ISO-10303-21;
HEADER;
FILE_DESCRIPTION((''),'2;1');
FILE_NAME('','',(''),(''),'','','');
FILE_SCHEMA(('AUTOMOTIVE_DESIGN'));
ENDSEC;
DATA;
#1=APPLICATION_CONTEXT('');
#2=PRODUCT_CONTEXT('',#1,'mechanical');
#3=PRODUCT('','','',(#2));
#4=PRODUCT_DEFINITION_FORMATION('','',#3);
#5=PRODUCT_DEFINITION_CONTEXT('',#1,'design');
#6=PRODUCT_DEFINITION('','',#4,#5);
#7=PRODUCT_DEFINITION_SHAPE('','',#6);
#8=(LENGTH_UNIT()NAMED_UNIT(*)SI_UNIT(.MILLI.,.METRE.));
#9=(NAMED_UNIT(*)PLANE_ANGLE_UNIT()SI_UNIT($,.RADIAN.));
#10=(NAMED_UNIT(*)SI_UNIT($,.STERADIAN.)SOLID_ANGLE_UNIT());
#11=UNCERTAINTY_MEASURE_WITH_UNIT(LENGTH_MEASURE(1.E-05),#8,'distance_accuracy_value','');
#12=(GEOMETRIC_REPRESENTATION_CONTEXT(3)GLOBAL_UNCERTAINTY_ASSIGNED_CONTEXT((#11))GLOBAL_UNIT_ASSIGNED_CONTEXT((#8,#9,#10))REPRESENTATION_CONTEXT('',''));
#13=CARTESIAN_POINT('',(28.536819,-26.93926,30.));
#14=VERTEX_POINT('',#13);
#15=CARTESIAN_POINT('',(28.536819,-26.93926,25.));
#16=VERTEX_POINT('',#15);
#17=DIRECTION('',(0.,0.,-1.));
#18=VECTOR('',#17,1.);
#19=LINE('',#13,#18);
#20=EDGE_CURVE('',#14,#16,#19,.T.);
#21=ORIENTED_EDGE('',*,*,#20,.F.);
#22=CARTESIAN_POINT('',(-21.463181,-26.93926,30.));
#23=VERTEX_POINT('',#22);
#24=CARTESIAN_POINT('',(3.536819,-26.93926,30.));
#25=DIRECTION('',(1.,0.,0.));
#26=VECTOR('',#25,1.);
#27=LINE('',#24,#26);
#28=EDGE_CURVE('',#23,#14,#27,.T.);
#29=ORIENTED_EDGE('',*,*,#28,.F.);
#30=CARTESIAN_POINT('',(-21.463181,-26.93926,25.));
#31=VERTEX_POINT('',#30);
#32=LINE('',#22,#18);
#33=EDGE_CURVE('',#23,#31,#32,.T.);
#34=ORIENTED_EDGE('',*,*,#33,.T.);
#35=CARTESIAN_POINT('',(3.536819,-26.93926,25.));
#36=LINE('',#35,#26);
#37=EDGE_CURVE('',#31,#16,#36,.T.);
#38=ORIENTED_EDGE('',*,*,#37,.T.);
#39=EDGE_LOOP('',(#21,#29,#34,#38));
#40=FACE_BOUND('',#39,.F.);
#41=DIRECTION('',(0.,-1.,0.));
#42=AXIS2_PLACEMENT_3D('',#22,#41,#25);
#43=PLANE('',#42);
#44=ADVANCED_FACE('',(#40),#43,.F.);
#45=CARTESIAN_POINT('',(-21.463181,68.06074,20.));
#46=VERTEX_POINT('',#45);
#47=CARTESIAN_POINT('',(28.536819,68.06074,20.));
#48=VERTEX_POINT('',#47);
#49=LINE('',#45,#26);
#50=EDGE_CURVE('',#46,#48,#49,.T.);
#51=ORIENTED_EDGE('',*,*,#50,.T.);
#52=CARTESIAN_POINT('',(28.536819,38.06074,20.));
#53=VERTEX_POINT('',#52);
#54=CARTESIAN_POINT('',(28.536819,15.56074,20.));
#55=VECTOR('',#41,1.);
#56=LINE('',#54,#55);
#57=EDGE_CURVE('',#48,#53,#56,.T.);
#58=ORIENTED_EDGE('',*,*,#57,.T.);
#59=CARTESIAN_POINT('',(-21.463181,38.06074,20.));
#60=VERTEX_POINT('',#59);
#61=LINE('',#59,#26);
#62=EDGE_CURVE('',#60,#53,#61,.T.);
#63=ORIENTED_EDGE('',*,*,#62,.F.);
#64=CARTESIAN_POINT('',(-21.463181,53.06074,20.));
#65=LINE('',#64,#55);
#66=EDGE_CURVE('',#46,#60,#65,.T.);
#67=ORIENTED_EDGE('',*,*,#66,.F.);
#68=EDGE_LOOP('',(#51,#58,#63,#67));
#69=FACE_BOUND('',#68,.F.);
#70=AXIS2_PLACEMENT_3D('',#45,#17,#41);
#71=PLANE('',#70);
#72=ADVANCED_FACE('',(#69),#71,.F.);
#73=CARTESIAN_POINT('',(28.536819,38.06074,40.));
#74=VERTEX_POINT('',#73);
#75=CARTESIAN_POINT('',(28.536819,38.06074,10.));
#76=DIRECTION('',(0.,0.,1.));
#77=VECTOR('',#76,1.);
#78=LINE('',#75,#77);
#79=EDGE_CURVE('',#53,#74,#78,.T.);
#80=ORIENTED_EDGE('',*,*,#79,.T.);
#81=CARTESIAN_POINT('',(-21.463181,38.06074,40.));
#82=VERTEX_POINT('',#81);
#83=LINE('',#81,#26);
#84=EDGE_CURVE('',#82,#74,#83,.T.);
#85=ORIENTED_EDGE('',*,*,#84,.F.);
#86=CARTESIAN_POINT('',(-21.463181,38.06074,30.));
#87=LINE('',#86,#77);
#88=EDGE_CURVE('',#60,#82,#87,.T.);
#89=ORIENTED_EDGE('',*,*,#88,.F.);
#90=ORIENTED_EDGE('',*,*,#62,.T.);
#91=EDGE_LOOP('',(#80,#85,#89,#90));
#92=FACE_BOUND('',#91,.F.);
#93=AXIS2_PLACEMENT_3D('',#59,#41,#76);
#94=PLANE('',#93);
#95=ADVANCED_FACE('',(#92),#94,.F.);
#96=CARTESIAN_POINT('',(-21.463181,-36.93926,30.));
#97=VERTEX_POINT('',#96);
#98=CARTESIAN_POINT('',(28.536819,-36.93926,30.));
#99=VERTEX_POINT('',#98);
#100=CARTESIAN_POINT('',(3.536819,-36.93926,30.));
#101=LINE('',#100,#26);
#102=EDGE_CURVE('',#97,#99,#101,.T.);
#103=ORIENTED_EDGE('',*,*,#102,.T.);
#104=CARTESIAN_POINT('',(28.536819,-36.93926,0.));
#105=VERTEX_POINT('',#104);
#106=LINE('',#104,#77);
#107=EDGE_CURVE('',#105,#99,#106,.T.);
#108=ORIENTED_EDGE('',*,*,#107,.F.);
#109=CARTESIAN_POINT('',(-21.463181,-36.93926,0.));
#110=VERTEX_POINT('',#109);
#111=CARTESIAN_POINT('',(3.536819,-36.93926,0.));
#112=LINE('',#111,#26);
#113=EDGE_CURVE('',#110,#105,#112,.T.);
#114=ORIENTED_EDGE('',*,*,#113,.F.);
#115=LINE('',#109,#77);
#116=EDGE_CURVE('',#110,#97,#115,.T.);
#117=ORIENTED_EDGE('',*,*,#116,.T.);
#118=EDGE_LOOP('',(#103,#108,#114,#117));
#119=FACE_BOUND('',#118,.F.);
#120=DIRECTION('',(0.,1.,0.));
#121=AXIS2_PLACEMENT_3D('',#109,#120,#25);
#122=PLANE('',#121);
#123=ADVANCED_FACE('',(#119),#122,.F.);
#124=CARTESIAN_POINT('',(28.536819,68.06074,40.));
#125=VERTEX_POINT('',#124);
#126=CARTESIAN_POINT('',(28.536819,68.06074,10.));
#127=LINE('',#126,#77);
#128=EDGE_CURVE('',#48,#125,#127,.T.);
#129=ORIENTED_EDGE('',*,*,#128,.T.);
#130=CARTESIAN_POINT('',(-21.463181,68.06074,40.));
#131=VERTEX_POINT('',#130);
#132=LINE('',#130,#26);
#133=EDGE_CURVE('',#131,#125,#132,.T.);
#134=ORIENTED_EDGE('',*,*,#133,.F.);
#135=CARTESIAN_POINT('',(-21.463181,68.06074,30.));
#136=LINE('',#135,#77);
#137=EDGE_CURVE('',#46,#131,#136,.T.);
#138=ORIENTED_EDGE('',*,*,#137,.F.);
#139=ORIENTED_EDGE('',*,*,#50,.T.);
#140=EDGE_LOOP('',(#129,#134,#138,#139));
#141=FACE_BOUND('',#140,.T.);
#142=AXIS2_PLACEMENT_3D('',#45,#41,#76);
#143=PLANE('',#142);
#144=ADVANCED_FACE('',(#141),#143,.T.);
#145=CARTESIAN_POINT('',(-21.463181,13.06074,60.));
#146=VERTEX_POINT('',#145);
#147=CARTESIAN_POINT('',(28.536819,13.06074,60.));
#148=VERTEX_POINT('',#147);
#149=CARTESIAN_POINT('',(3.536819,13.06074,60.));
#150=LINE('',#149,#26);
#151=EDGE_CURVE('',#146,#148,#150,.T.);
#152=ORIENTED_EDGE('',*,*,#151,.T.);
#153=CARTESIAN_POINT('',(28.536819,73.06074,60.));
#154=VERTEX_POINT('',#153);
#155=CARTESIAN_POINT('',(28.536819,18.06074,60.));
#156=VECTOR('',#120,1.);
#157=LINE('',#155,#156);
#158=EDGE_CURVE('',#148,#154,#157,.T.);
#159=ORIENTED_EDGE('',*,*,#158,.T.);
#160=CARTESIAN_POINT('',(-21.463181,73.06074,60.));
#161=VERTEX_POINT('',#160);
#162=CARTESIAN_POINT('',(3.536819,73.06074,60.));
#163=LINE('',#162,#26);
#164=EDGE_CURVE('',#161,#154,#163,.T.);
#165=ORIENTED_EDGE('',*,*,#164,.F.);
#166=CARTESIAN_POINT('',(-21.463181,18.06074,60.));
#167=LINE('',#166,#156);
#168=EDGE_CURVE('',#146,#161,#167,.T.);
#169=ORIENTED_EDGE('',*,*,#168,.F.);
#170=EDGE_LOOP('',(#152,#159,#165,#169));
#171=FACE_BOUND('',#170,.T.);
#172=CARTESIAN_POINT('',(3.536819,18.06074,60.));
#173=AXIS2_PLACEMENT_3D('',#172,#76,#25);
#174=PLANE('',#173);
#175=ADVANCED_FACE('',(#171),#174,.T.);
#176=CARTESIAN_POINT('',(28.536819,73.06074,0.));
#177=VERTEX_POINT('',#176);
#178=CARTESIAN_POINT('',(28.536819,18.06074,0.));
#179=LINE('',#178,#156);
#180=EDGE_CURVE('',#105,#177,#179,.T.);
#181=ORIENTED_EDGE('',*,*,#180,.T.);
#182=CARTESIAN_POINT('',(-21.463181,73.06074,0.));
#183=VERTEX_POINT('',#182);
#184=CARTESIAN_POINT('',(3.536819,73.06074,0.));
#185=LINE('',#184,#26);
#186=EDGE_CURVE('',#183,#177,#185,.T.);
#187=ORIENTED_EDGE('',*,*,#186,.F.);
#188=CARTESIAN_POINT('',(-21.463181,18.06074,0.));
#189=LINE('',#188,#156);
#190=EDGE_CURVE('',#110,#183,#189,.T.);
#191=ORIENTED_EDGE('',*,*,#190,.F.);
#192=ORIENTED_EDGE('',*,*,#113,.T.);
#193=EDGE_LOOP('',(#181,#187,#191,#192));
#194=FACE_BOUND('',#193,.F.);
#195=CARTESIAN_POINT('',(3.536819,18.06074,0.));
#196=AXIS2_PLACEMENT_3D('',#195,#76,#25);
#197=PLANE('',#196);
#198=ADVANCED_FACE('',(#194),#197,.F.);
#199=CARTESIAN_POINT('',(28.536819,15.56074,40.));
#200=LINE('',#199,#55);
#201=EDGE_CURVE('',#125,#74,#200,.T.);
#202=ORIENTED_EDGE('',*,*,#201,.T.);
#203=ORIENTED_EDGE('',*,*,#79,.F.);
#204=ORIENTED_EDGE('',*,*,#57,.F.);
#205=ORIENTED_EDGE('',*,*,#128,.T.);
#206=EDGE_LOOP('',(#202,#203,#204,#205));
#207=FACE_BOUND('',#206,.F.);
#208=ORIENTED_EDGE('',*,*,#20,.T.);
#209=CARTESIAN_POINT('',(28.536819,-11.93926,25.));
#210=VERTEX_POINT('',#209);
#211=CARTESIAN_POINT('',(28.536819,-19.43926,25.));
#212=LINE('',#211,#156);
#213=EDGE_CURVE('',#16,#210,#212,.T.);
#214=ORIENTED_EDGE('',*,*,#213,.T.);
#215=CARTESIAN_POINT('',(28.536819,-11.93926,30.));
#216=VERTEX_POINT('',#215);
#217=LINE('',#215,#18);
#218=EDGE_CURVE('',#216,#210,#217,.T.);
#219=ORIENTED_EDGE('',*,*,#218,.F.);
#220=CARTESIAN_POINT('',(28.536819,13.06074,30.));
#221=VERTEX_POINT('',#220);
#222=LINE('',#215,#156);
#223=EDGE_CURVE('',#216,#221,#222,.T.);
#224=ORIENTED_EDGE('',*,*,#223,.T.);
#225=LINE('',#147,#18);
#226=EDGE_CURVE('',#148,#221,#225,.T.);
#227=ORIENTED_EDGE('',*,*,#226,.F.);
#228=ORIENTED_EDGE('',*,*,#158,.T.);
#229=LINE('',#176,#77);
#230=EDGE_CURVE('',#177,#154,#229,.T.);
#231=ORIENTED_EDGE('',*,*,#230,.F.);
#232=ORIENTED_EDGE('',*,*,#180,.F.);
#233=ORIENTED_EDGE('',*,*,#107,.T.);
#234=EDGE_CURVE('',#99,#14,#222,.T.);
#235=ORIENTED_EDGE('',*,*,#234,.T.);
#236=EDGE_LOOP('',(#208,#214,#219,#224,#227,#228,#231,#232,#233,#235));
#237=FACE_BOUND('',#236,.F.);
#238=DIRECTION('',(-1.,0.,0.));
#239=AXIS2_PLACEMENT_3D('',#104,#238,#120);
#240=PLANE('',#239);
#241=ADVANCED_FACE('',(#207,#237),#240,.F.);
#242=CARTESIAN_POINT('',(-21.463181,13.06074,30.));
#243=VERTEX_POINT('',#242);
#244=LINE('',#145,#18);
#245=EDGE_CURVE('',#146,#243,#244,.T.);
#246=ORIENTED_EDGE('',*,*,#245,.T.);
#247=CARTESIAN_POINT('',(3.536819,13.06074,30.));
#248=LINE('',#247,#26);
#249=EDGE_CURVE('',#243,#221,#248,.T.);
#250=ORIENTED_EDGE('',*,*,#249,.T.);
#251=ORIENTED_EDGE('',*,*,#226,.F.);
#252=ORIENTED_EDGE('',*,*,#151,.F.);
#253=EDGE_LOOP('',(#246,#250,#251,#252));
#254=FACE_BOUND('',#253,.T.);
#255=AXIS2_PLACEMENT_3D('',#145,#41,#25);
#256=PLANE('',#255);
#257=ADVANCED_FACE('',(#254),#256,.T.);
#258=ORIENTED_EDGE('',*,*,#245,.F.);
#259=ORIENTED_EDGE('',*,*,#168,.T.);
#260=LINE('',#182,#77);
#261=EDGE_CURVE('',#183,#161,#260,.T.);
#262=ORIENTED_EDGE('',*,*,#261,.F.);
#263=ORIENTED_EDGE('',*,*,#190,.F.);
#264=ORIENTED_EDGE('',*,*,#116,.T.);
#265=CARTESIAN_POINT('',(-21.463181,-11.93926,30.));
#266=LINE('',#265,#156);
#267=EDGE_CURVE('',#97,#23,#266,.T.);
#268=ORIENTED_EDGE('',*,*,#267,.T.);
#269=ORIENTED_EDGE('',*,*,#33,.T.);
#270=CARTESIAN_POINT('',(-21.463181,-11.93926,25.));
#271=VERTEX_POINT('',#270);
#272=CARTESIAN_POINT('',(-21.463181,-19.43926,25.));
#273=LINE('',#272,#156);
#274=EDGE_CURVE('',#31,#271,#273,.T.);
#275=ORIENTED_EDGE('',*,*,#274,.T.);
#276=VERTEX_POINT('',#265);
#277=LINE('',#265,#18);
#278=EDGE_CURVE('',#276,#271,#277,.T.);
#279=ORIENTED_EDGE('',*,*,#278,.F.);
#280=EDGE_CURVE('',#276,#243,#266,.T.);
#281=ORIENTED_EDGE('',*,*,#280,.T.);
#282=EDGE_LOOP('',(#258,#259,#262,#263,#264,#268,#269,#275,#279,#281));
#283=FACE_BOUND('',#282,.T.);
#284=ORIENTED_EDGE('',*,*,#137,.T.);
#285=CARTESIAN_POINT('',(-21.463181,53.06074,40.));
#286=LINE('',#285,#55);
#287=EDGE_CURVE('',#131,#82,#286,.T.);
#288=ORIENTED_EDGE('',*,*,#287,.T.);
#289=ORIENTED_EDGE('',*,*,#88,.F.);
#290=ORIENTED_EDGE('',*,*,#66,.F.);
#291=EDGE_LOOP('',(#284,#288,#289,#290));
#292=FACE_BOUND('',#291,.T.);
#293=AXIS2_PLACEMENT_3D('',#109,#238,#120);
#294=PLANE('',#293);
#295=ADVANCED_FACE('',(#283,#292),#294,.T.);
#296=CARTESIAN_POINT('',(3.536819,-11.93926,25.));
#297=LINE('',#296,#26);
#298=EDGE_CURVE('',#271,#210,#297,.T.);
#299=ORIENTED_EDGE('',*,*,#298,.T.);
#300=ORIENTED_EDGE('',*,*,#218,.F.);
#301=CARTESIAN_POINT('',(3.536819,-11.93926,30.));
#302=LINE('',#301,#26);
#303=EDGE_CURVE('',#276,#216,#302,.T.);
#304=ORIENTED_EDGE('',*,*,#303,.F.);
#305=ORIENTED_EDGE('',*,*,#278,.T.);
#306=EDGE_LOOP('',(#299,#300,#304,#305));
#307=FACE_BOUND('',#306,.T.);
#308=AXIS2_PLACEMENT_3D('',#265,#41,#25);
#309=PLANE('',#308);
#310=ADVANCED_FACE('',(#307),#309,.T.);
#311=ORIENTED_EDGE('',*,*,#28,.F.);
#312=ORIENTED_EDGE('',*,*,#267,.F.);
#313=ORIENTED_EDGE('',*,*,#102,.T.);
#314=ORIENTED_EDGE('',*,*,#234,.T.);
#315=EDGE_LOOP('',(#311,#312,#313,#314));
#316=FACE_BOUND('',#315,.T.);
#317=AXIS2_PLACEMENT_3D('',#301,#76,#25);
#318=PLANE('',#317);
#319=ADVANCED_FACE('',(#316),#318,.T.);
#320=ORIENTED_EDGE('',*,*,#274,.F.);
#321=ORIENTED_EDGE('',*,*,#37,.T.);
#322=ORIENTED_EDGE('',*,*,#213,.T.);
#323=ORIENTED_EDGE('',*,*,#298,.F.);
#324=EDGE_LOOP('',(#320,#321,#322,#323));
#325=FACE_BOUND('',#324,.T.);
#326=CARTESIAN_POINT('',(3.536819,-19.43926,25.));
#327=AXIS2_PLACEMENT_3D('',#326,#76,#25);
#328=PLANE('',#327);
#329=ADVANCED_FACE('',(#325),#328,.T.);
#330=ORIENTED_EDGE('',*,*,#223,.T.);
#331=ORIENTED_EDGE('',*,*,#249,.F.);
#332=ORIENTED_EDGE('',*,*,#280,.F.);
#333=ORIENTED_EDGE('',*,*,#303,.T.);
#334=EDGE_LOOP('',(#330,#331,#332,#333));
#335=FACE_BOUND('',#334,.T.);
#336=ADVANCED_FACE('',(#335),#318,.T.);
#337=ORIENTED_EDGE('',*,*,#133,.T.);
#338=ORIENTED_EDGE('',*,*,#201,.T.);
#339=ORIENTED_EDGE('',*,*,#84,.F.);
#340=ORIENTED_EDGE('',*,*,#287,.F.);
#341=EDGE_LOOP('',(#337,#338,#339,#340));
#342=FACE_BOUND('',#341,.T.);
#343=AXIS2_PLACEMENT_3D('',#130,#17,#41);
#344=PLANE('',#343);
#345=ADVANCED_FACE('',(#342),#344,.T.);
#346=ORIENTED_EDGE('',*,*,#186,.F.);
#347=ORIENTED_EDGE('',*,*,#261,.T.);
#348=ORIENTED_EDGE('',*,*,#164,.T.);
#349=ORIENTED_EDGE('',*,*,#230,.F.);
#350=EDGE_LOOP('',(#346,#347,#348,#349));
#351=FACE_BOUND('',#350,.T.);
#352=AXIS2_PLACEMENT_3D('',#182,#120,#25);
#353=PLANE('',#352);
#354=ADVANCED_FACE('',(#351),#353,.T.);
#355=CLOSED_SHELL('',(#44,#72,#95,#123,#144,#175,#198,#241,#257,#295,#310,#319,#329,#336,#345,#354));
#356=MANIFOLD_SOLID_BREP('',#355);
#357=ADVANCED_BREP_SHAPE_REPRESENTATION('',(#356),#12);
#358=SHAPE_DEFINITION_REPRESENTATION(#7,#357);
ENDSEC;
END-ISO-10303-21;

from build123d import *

# Parameters (mm, degrees)
F0_W     = 50
F0_H     = 110
F1_DEPTH = 60
F2_W     = 50
F2_H     = 50
F3_DEPTH = 30
F4_W     = 50
F4_H     = 15
F5_DEPTH = 5
F6_W     = 30
F6_H     = 20
F7_DEPTH = 92


with BuildPart() as f1:
    # F0 (on Top) → F1 (new body)
    with BuildSketch(Plane.XY):
        with Locations((3.536819, 18.06074)):
            Rectangle(F0_W, F0_H)
    extrude(amount=F1_DEPTH)

    # F2 (on face) → F3 (cut)
    with BuildSketch(Plane.XY.offset(60)):
        with Locations((3.536819, -11.93926)):
            Rectangle(F2_W, F2_H)
    extrude(amount=-F3_DEPTH, mode=Mode.SUBTRACT)

    # F4 (on face) → F5 (cut)
    with BuildSketch(Plane.XY.offset(30)):
        with Locations((3.536819, -19.43926)):
            Rectangle(F4_W, F4_H)
    extrude(amount=-F5_DEPTH, mode=Mode.SUBTRACT)

    # F6 (on face) → F7 (cut)
    with BuildSketch(Plane(origin=(-21.463181, 0, 0), x_dir=(0, -1, 0), z_dir=(-1, 0, 0))):
        with Locations((-53.06074, 30)):
            Rectangle(F6_W, F6_H)
    extrude(amount=-F7_DEPTH, mode=Mode.SUBTRACT)


solid = f1.part
